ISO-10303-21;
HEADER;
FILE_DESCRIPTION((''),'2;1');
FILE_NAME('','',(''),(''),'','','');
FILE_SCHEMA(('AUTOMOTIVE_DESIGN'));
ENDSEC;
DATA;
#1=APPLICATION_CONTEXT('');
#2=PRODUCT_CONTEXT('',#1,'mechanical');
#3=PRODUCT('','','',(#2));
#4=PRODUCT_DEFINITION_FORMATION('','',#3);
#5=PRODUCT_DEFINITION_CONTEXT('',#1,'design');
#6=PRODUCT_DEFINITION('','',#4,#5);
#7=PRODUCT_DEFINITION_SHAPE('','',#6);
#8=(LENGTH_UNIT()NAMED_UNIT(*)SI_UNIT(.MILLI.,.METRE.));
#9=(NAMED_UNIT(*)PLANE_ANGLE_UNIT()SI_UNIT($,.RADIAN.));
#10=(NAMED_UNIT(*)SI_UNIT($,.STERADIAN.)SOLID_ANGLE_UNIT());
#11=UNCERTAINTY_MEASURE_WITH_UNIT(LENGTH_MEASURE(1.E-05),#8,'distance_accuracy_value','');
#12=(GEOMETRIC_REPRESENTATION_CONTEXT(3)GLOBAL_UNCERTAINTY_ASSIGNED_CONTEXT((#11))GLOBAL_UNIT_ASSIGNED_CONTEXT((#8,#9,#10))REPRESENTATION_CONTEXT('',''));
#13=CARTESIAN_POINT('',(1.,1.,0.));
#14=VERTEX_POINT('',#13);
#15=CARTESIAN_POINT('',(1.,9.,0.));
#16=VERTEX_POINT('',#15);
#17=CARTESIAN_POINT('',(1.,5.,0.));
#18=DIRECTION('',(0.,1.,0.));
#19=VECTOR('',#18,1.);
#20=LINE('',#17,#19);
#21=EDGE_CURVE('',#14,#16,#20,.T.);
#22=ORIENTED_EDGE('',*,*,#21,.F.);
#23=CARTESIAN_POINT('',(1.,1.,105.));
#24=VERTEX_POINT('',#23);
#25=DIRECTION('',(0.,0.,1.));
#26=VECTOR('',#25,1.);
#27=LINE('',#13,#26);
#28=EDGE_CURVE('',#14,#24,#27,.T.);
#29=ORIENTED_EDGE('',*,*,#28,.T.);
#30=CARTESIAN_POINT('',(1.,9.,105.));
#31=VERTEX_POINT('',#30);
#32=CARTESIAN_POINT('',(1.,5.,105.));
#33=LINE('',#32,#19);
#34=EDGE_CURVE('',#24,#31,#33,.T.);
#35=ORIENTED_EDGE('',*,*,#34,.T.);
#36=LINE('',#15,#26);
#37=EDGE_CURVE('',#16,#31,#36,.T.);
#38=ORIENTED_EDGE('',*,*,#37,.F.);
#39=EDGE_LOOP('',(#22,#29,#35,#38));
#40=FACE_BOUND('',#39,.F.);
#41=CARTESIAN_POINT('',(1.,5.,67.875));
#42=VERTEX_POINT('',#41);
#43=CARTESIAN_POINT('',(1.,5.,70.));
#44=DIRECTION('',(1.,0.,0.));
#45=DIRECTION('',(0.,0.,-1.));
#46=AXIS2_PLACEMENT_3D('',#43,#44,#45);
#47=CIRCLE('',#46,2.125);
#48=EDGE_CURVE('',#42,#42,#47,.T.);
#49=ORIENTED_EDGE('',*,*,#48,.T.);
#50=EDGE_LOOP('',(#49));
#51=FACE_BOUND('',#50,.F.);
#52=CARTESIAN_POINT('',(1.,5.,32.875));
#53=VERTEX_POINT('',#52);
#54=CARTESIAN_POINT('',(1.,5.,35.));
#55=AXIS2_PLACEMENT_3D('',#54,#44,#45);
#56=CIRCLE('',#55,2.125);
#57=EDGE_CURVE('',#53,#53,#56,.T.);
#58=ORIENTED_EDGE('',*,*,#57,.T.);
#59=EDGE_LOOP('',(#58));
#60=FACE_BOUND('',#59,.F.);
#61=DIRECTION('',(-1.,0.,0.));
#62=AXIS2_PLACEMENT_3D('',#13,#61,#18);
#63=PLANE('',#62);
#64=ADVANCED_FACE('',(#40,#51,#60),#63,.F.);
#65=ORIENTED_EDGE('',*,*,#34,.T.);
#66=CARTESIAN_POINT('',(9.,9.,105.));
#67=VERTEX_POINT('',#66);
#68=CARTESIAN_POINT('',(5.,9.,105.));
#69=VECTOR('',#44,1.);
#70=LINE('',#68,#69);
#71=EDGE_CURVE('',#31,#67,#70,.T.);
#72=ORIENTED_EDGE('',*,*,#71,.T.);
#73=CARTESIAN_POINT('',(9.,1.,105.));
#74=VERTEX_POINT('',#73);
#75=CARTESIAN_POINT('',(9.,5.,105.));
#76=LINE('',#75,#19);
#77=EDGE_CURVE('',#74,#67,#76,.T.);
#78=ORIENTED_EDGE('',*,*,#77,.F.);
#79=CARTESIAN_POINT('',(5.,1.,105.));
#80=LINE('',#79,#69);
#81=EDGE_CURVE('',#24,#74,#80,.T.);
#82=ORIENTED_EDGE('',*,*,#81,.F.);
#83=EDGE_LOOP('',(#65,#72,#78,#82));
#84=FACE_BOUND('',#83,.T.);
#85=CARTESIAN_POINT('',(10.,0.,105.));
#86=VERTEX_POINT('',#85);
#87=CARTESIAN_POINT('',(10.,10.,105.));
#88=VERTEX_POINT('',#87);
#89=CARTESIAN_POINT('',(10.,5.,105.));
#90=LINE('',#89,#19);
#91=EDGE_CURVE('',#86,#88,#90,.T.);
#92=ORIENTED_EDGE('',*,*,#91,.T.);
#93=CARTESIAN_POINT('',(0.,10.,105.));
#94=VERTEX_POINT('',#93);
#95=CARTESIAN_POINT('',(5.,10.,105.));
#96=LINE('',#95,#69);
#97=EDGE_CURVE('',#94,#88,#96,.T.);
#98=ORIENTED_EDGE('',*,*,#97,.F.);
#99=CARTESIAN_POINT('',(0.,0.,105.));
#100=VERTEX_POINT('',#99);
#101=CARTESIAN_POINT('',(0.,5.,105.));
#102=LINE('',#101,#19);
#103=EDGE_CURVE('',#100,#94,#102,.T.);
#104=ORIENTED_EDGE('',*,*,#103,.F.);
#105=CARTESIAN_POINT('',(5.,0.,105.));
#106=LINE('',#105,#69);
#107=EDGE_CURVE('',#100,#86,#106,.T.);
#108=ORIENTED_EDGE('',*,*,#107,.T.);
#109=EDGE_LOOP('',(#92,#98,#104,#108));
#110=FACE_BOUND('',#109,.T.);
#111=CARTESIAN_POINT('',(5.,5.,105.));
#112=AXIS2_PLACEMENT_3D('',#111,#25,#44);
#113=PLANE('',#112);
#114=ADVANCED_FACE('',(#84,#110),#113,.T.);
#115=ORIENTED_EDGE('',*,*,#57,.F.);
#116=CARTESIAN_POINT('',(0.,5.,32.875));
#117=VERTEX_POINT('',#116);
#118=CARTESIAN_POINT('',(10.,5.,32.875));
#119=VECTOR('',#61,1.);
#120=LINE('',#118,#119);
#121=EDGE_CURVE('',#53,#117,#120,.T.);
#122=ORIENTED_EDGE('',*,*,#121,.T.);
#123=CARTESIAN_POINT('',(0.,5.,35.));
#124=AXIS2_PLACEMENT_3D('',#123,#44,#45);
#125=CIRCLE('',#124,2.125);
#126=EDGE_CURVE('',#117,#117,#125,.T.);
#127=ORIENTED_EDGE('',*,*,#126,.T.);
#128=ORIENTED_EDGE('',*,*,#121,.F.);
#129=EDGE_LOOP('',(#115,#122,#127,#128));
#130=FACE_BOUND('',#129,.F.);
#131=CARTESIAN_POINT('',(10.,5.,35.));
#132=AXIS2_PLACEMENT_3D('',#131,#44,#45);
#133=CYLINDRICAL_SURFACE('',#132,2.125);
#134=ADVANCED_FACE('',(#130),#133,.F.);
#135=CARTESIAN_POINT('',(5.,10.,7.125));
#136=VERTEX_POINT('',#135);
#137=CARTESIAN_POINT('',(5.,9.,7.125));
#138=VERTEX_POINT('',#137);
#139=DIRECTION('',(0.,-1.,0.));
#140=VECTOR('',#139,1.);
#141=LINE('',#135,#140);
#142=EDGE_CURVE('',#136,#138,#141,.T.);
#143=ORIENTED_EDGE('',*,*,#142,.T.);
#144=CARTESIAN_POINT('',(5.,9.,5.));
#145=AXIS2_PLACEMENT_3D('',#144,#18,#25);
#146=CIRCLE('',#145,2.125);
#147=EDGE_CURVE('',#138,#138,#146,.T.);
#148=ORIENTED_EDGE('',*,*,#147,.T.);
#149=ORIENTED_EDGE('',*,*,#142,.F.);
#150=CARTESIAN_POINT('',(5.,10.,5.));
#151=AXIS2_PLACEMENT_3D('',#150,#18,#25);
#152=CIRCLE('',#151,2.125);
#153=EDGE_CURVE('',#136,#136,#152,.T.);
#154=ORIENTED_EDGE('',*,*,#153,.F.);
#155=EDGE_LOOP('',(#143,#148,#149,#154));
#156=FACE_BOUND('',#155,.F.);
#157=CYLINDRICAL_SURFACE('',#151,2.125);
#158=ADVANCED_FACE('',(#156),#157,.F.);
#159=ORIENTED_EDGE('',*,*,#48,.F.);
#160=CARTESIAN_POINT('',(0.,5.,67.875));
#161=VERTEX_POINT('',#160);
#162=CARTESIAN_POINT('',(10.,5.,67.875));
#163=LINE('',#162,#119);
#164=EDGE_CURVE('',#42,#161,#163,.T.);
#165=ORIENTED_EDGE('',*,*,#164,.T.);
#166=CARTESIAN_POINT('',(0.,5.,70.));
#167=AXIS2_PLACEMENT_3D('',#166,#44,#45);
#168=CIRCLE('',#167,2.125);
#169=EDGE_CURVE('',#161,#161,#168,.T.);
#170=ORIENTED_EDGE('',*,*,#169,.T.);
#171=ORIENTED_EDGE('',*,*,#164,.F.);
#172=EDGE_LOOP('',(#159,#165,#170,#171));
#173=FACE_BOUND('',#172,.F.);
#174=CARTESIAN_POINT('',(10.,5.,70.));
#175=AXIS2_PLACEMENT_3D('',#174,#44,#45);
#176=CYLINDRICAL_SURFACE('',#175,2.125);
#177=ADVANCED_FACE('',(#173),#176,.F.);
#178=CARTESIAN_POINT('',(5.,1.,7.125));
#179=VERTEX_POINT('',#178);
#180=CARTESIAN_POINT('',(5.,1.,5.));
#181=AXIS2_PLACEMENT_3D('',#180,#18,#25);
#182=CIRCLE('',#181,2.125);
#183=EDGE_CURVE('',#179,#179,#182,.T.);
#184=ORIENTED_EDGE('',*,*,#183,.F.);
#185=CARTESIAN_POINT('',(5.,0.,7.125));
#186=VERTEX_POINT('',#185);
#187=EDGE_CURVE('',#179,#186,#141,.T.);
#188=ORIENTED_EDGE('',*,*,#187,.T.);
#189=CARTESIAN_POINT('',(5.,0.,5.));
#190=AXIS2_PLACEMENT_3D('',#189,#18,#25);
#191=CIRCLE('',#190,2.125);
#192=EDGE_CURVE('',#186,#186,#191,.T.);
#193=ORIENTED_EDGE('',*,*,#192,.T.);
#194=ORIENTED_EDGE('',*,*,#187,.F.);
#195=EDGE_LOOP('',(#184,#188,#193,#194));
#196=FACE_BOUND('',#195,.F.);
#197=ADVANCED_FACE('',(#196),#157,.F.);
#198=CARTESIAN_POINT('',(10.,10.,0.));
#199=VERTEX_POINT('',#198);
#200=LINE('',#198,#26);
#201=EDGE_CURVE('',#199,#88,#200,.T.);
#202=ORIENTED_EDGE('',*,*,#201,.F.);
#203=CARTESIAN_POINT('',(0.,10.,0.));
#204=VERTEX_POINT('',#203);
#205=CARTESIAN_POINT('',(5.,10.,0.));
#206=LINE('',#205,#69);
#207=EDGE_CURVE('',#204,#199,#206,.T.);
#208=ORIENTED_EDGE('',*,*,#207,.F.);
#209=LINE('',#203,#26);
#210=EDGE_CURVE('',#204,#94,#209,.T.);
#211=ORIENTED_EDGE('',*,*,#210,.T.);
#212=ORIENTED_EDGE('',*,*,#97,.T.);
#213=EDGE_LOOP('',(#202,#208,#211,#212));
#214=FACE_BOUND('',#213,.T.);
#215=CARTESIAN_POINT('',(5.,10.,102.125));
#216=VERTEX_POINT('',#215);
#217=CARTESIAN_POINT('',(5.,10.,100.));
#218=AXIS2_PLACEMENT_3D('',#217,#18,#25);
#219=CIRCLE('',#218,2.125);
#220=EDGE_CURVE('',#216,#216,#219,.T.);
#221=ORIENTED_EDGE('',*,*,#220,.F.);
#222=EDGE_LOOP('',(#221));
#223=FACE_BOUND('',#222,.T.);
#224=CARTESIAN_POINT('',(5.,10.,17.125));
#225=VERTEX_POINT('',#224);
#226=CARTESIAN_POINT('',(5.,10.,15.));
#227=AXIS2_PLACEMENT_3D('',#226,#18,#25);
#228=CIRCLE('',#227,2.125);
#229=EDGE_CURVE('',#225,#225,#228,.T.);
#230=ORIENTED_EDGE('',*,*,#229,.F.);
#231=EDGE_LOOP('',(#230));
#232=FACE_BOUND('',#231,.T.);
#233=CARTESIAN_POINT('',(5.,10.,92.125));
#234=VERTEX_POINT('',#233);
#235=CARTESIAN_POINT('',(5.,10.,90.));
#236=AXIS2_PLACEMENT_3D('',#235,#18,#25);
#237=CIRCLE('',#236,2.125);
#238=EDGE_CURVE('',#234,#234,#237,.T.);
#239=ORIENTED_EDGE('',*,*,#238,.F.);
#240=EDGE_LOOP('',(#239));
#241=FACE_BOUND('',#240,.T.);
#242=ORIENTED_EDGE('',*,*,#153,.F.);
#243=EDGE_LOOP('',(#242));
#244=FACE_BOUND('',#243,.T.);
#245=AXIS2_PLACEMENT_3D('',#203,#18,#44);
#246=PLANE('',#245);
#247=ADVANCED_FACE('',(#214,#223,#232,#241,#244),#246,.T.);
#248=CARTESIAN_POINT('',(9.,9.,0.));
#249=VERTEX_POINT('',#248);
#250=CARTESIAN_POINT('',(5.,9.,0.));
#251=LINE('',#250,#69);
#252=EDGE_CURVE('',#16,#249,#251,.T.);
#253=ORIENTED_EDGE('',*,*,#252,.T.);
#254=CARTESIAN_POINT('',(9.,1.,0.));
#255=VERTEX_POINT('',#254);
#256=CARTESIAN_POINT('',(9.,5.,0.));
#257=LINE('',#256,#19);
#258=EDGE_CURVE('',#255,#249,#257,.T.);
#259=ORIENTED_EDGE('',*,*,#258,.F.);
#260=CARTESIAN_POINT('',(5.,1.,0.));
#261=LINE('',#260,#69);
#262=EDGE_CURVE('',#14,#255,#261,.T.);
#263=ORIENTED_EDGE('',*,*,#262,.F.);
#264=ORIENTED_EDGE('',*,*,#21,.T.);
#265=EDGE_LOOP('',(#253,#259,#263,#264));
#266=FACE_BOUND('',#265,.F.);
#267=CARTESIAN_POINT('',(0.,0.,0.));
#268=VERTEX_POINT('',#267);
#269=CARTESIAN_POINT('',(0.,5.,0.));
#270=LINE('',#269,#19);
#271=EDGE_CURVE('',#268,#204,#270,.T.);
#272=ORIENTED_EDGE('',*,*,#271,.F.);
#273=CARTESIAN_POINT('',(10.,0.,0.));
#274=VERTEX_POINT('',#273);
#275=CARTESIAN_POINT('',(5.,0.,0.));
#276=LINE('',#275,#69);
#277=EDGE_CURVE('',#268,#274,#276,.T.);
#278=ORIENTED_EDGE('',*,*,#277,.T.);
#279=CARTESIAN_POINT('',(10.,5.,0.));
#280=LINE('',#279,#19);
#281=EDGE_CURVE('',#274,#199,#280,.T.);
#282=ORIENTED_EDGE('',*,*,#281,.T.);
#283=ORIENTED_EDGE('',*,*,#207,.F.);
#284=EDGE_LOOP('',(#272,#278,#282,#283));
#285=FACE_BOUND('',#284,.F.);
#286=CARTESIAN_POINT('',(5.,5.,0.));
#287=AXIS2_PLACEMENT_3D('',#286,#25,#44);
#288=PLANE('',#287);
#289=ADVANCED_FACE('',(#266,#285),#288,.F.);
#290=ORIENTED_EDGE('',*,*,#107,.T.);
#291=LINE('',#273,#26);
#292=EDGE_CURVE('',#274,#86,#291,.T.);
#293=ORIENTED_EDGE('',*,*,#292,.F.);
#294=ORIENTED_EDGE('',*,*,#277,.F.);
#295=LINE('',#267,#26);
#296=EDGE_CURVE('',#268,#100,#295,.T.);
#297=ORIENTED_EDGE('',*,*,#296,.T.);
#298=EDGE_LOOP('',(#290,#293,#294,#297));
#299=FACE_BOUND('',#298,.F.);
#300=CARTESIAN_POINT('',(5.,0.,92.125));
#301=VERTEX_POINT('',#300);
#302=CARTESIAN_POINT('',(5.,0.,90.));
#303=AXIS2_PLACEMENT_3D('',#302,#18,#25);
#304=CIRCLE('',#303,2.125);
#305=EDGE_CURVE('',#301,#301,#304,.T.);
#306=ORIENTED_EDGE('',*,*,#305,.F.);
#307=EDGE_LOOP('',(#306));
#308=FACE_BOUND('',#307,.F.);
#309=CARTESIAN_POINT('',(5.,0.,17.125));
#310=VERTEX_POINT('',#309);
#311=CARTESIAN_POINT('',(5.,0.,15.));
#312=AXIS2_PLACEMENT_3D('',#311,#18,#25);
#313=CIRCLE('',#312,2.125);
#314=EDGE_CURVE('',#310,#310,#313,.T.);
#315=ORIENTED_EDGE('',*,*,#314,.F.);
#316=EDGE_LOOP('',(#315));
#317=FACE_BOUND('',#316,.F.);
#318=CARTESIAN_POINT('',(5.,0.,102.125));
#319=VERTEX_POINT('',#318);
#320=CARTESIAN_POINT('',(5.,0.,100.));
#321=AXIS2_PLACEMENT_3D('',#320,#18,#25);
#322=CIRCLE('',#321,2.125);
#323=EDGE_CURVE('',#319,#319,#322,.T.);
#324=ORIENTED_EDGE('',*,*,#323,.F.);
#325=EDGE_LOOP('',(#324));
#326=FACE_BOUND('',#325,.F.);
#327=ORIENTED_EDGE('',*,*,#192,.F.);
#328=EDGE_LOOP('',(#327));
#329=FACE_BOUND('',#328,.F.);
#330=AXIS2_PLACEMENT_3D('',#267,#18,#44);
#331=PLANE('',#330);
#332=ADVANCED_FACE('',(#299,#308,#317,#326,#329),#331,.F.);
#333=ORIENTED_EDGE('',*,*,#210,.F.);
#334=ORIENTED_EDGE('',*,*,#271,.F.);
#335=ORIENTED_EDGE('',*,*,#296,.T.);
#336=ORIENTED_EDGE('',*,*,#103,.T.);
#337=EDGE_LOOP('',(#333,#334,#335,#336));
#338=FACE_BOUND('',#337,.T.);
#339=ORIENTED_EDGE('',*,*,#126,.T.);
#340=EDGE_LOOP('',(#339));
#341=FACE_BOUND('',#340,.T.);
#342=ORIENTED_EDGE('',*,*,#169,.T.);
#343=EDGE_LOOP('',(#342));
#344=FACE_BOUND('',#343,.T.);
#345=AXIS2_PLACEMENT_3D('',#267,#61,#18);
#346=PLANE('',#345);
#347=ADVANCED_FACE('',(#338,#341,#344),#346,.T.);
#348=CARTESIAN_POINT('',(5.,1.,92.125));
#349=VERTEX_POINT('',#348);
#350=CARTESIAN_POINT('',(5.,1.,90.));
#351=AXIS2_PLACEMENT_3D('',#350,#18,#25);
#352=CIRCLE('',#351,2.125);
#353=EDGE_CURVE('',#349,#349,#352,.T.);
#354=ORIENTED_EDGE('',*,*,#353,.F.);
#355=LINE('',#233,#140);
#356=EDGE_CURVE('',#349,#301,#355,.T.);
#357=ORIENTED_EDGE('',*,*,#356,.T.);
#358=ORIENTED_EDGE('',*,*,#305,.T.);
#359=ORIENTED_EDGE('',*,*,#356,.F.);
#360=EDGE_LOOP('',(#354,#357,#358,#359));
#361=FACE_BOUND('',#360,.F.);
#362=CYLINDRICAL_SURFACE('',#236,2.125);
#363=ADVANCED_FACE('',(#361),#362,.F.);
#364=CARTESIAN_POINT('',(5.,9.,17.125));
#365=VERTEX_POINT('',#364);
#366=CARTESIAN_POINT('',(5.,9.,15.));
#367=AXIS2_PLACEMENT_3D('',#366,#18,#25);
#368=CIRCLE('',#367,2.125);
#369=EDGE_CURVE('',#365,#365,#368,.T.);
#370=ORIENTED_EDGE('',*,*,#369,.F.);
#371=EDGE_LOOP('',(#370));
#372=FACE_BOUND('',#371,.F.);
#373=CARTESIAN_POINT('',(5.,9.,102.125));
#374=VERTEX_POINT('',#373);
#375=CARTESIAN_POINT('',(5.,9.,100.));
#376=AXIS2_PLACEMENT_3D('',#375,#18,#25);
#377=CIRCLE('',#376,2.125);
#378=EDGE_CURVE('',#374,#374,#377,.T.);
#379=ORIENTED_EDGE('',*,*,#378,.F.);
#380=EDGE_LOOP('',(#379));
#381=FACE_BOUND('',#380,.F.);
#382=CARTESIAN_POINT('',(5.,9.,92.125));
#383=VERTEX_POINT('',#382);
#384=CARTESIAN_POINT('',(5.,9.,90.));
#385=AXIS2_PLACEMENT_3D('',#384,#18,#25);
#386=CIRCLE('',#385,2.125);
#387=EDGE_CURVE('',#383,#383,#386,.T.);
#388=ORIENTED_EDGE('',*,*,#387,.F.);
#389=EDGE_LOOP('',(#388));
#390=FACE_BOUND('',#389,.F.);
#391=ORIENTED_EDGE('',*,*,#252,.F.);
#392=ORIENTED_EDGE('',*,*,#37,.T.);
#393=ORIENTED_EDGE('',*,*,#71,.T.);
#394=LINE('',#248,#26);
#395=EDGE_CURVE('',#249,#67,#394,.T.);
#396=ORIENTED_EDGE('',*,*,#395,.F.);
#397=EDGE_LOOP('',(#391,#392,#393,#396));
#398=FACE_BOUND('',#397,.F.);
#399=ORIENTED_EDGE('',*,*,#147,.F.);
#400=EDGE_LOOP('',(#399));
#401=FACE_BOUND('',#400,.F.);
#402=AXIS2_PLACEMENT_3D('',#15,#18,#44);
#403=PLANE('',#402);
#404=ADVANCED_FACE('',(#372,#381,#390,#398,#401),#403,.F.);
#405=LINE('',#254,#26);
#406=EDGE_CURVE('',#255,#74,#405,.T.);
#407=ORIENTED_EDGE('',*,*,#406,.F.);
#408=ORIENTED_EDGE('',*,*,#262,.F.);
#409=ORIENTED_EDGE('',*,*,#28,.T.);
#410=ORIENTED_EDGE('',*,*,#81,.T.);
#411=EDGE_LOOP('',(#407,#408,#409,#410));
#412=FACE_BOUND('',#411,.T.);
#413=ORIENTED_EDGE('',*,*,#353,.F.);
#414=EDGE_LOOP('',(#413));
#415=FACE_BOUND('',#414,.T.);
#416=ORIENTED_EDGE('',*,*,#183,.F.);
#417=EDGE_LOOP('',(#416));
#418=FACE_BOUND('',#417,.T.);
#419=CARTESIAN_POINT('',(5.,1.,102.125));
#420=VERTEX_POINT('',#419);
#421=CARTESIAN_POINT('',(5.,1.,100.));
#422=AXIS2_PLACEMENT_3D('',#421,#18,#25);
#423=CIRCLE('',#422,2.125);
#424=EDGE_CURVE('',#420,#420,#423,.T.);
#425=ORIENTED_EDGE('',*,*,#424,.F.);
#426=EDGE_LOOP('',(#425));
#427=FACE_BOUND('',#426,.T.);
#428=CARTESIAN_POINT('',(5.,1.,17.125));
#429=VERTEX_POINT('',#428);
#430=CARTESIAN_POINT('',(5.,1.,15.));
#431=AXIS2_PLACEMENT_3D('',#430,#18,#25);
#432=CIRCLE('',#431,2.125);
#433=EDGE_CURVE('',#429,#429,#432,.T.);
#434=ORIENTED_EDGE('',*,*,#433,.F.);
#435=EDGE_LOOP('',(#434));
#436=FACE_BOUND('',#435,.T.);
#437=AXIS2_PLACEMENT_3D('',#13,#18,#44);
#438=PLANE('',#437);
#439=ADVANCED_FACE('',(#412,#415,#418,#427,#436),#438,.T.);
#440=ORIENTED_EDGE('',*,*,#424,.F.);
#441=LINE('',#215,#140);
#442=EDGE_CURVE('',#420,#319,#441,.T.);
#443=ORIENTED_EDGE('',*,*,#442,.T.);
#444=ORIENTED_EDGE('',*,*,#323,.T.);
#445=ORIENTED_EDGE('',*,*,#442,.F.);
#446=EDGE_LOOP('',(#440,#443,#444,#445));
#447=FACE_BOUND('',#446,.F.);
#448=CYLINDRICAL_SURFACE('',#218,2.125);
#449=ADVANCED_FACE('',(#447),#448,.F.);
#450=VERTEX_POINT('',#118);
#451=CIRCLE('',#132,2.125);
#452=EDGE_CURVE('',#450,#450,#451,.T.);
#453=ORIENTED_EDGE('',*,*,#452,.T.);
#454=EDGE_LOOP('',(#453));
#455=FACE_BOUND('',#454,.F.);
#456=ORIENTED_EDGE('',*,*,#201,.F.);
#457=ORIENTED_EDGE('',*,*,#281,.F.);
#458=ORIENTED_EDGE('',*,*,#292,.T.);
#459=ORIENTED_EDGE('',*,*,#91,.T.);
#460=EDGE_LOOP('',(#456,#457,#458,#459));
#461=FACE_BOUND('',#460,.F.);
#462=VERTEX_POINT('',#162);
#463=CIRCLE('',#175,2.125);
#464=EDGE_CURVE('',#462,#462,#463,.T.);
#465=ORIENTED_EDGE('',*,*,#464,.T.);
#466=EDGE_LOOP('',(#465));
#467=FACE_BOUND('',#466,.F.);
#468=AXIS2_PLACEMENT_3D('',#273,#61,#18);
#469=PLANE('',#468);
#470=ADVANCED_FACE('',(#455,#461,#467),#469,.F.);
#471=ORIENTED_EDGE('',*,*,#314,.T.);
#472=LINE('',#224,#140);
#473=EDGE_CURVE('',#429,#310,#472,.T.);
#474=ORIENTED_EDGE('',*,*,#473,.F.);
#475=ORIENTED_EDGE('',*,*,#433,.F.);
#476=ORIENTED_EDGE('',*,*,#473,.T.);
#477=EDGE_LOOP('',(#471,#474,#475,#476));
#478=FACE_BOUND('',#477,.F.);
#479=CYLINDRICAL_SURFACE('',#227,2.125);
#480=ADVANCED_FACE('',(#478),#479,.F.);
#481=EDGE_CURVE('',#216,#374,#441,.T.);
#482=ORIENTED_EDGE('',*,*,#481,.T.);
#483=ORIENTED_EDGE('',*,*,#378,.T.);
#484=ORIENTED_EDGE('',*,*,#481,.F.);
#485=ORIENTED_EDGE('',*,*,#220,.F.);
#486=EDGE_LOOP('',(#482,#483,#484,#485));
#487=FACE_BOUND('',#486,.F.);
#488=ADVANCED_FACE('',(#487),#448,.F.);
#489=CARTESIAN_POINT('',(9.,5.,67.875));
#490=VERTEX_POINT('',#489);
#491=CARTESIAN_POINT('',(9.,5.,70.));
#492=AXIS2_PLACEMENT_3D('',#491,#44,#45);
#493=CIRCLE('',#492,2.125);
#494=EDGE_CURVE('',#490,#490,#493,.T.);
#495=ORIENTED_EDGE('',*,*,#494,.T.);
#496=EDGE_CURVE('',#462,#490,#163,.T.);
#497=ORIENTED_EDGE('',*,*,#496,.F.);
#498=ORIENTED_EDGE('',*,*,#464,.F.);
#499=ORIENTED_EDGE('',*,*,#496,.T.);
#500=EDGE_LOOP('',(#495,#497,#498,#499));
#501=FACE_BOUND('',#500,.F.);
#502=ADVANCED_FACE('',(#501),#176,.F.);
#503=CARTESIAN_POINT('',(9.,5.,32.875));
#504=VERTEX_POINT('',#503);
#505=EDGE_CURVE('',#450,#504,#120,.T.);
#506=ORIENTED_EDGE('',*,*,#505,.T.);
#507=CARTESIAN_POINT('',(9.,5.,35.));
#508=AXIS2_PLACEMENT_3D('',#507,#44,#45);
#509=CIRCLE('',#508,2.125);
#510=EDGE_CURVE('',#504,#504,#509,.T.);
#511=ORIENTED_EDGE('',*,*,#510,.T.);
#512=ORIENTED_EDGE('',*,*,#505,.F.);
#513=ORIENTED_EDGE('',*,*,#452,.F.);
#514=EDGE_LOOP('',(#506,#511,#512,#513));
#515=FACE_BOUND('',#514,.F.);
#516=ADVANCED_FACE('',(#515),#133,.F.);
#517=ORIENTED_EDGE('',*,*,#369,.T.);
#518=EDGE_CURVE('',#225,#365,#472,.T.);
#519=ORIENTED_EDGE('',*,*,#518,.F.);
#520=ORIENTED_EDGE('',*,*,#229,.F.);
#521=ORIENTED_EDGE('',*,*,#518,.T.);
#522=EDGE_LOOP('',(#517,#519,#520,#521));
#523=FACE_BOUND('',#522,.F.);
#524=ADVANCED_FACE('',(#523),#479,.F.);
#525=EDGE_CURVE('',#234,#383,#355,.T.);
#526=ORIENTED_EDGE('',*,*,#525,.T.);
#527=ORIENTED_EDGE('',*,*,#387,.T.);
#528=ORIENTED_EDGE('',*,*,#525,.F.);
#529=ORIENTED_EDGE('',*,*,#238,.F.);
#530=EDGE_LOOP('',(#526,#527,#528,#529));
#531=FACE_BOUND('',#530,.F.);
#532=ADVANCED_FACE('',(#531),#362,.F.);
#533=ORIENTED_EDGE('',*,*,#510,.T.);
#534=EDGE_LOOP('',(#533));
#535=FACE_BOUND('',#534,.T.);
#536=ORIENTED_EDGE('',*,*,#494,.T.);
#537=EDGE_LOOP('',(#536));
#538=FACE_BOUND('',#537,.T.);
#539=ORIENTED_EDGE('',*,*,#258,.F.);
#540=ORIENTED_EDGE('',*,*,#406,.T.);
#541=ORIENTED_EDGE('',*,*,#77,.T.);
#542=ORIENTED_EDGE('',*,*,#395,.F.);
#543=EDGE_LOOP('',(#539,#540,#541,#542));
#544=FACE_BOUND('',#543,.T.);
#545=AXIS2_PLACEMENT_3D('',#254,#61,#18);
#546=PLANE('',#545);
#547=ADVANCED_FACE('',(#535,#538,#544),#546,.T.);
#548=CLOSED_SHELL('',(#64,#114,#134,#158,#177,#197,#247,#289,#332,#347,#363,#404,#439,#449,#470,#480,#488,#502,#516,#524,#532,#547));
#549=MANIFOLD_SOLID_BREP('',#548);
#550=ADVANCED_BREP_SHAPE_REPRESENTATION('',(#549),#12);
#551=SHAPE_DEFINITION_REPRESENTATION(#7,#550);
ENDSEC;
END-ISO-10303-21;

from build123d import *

# Parameters (mm, degrees)
SKETCH1_W           = 10
SKETCH1_H           = 10
SKETCH1_W_2         = 8
SKETCH1_H_2         = 8
BOSS_EXTRUDE1_DEPTH = 105
SKETCH2_R           = 2.125
CUT_EXTRUDE1_DEPTH  = 116
SKETCH4_R           = 2.125
CUT_EXTRUDE3_DEPTH  = 10


with BuildPart() as part:
    # Sketch1 → Boss-Extrude1 (new body)
    with BuildSketch(Plane.XY):
        with Locations((5, 5)):
            Rectangle(SKETCH1_W, SKETCH1_H)
        with Locations((5, 5)):
            Rectangle(SKETCH1_W_2, SKETCH1_H_2, mode=Mode.SUBTRACT)
    extrude(amount=BOSS_EXTRUDE1_DEPTH)

    # Sketch2 → Cut-Extrude1 (cut)
    with BuildSketch(Plane(origin=(0, 10, 0), x_dir=(1, 0, 0), z_dir=(0, 1, 0))):
        with Locations(Location((5, -5, 0), (0, 0, 270))):
            Circle(SKETCH2_R)
        with Locations(Location((5, -15, 0), (0, 0, 270))):
            Circle(SKETCH2_R)
        with Locations(Location((5, -100, 0), (0, 0, 270))):
            Circle(SKETCH2_R)
        with Locations(Location((5, -90, 0), (0, 0, 270))):
            Circle(SKETCH2_R)
    extrude(amount=-CUT_EXTRUDE1_DEPTH, mode=Mode.SUBTRACT)

    # Sketch4 → Cut-Extrude3 (cut)
    with BuildSketch(Plane(origin=(10, 0, 0), x_dir=(0, 0, -1), z_dir=(1, 0, 0))):
        with Locations((-70, 5)):
            Circle(SKETCH4_R)
        with Locations((-35, 5)):
            Circle(SKETCH4_R)
    extrude(amount=-CUT_EXTRUDE3_DEPTH, mode=Mode.SUBTRACT)


solid = part.part
